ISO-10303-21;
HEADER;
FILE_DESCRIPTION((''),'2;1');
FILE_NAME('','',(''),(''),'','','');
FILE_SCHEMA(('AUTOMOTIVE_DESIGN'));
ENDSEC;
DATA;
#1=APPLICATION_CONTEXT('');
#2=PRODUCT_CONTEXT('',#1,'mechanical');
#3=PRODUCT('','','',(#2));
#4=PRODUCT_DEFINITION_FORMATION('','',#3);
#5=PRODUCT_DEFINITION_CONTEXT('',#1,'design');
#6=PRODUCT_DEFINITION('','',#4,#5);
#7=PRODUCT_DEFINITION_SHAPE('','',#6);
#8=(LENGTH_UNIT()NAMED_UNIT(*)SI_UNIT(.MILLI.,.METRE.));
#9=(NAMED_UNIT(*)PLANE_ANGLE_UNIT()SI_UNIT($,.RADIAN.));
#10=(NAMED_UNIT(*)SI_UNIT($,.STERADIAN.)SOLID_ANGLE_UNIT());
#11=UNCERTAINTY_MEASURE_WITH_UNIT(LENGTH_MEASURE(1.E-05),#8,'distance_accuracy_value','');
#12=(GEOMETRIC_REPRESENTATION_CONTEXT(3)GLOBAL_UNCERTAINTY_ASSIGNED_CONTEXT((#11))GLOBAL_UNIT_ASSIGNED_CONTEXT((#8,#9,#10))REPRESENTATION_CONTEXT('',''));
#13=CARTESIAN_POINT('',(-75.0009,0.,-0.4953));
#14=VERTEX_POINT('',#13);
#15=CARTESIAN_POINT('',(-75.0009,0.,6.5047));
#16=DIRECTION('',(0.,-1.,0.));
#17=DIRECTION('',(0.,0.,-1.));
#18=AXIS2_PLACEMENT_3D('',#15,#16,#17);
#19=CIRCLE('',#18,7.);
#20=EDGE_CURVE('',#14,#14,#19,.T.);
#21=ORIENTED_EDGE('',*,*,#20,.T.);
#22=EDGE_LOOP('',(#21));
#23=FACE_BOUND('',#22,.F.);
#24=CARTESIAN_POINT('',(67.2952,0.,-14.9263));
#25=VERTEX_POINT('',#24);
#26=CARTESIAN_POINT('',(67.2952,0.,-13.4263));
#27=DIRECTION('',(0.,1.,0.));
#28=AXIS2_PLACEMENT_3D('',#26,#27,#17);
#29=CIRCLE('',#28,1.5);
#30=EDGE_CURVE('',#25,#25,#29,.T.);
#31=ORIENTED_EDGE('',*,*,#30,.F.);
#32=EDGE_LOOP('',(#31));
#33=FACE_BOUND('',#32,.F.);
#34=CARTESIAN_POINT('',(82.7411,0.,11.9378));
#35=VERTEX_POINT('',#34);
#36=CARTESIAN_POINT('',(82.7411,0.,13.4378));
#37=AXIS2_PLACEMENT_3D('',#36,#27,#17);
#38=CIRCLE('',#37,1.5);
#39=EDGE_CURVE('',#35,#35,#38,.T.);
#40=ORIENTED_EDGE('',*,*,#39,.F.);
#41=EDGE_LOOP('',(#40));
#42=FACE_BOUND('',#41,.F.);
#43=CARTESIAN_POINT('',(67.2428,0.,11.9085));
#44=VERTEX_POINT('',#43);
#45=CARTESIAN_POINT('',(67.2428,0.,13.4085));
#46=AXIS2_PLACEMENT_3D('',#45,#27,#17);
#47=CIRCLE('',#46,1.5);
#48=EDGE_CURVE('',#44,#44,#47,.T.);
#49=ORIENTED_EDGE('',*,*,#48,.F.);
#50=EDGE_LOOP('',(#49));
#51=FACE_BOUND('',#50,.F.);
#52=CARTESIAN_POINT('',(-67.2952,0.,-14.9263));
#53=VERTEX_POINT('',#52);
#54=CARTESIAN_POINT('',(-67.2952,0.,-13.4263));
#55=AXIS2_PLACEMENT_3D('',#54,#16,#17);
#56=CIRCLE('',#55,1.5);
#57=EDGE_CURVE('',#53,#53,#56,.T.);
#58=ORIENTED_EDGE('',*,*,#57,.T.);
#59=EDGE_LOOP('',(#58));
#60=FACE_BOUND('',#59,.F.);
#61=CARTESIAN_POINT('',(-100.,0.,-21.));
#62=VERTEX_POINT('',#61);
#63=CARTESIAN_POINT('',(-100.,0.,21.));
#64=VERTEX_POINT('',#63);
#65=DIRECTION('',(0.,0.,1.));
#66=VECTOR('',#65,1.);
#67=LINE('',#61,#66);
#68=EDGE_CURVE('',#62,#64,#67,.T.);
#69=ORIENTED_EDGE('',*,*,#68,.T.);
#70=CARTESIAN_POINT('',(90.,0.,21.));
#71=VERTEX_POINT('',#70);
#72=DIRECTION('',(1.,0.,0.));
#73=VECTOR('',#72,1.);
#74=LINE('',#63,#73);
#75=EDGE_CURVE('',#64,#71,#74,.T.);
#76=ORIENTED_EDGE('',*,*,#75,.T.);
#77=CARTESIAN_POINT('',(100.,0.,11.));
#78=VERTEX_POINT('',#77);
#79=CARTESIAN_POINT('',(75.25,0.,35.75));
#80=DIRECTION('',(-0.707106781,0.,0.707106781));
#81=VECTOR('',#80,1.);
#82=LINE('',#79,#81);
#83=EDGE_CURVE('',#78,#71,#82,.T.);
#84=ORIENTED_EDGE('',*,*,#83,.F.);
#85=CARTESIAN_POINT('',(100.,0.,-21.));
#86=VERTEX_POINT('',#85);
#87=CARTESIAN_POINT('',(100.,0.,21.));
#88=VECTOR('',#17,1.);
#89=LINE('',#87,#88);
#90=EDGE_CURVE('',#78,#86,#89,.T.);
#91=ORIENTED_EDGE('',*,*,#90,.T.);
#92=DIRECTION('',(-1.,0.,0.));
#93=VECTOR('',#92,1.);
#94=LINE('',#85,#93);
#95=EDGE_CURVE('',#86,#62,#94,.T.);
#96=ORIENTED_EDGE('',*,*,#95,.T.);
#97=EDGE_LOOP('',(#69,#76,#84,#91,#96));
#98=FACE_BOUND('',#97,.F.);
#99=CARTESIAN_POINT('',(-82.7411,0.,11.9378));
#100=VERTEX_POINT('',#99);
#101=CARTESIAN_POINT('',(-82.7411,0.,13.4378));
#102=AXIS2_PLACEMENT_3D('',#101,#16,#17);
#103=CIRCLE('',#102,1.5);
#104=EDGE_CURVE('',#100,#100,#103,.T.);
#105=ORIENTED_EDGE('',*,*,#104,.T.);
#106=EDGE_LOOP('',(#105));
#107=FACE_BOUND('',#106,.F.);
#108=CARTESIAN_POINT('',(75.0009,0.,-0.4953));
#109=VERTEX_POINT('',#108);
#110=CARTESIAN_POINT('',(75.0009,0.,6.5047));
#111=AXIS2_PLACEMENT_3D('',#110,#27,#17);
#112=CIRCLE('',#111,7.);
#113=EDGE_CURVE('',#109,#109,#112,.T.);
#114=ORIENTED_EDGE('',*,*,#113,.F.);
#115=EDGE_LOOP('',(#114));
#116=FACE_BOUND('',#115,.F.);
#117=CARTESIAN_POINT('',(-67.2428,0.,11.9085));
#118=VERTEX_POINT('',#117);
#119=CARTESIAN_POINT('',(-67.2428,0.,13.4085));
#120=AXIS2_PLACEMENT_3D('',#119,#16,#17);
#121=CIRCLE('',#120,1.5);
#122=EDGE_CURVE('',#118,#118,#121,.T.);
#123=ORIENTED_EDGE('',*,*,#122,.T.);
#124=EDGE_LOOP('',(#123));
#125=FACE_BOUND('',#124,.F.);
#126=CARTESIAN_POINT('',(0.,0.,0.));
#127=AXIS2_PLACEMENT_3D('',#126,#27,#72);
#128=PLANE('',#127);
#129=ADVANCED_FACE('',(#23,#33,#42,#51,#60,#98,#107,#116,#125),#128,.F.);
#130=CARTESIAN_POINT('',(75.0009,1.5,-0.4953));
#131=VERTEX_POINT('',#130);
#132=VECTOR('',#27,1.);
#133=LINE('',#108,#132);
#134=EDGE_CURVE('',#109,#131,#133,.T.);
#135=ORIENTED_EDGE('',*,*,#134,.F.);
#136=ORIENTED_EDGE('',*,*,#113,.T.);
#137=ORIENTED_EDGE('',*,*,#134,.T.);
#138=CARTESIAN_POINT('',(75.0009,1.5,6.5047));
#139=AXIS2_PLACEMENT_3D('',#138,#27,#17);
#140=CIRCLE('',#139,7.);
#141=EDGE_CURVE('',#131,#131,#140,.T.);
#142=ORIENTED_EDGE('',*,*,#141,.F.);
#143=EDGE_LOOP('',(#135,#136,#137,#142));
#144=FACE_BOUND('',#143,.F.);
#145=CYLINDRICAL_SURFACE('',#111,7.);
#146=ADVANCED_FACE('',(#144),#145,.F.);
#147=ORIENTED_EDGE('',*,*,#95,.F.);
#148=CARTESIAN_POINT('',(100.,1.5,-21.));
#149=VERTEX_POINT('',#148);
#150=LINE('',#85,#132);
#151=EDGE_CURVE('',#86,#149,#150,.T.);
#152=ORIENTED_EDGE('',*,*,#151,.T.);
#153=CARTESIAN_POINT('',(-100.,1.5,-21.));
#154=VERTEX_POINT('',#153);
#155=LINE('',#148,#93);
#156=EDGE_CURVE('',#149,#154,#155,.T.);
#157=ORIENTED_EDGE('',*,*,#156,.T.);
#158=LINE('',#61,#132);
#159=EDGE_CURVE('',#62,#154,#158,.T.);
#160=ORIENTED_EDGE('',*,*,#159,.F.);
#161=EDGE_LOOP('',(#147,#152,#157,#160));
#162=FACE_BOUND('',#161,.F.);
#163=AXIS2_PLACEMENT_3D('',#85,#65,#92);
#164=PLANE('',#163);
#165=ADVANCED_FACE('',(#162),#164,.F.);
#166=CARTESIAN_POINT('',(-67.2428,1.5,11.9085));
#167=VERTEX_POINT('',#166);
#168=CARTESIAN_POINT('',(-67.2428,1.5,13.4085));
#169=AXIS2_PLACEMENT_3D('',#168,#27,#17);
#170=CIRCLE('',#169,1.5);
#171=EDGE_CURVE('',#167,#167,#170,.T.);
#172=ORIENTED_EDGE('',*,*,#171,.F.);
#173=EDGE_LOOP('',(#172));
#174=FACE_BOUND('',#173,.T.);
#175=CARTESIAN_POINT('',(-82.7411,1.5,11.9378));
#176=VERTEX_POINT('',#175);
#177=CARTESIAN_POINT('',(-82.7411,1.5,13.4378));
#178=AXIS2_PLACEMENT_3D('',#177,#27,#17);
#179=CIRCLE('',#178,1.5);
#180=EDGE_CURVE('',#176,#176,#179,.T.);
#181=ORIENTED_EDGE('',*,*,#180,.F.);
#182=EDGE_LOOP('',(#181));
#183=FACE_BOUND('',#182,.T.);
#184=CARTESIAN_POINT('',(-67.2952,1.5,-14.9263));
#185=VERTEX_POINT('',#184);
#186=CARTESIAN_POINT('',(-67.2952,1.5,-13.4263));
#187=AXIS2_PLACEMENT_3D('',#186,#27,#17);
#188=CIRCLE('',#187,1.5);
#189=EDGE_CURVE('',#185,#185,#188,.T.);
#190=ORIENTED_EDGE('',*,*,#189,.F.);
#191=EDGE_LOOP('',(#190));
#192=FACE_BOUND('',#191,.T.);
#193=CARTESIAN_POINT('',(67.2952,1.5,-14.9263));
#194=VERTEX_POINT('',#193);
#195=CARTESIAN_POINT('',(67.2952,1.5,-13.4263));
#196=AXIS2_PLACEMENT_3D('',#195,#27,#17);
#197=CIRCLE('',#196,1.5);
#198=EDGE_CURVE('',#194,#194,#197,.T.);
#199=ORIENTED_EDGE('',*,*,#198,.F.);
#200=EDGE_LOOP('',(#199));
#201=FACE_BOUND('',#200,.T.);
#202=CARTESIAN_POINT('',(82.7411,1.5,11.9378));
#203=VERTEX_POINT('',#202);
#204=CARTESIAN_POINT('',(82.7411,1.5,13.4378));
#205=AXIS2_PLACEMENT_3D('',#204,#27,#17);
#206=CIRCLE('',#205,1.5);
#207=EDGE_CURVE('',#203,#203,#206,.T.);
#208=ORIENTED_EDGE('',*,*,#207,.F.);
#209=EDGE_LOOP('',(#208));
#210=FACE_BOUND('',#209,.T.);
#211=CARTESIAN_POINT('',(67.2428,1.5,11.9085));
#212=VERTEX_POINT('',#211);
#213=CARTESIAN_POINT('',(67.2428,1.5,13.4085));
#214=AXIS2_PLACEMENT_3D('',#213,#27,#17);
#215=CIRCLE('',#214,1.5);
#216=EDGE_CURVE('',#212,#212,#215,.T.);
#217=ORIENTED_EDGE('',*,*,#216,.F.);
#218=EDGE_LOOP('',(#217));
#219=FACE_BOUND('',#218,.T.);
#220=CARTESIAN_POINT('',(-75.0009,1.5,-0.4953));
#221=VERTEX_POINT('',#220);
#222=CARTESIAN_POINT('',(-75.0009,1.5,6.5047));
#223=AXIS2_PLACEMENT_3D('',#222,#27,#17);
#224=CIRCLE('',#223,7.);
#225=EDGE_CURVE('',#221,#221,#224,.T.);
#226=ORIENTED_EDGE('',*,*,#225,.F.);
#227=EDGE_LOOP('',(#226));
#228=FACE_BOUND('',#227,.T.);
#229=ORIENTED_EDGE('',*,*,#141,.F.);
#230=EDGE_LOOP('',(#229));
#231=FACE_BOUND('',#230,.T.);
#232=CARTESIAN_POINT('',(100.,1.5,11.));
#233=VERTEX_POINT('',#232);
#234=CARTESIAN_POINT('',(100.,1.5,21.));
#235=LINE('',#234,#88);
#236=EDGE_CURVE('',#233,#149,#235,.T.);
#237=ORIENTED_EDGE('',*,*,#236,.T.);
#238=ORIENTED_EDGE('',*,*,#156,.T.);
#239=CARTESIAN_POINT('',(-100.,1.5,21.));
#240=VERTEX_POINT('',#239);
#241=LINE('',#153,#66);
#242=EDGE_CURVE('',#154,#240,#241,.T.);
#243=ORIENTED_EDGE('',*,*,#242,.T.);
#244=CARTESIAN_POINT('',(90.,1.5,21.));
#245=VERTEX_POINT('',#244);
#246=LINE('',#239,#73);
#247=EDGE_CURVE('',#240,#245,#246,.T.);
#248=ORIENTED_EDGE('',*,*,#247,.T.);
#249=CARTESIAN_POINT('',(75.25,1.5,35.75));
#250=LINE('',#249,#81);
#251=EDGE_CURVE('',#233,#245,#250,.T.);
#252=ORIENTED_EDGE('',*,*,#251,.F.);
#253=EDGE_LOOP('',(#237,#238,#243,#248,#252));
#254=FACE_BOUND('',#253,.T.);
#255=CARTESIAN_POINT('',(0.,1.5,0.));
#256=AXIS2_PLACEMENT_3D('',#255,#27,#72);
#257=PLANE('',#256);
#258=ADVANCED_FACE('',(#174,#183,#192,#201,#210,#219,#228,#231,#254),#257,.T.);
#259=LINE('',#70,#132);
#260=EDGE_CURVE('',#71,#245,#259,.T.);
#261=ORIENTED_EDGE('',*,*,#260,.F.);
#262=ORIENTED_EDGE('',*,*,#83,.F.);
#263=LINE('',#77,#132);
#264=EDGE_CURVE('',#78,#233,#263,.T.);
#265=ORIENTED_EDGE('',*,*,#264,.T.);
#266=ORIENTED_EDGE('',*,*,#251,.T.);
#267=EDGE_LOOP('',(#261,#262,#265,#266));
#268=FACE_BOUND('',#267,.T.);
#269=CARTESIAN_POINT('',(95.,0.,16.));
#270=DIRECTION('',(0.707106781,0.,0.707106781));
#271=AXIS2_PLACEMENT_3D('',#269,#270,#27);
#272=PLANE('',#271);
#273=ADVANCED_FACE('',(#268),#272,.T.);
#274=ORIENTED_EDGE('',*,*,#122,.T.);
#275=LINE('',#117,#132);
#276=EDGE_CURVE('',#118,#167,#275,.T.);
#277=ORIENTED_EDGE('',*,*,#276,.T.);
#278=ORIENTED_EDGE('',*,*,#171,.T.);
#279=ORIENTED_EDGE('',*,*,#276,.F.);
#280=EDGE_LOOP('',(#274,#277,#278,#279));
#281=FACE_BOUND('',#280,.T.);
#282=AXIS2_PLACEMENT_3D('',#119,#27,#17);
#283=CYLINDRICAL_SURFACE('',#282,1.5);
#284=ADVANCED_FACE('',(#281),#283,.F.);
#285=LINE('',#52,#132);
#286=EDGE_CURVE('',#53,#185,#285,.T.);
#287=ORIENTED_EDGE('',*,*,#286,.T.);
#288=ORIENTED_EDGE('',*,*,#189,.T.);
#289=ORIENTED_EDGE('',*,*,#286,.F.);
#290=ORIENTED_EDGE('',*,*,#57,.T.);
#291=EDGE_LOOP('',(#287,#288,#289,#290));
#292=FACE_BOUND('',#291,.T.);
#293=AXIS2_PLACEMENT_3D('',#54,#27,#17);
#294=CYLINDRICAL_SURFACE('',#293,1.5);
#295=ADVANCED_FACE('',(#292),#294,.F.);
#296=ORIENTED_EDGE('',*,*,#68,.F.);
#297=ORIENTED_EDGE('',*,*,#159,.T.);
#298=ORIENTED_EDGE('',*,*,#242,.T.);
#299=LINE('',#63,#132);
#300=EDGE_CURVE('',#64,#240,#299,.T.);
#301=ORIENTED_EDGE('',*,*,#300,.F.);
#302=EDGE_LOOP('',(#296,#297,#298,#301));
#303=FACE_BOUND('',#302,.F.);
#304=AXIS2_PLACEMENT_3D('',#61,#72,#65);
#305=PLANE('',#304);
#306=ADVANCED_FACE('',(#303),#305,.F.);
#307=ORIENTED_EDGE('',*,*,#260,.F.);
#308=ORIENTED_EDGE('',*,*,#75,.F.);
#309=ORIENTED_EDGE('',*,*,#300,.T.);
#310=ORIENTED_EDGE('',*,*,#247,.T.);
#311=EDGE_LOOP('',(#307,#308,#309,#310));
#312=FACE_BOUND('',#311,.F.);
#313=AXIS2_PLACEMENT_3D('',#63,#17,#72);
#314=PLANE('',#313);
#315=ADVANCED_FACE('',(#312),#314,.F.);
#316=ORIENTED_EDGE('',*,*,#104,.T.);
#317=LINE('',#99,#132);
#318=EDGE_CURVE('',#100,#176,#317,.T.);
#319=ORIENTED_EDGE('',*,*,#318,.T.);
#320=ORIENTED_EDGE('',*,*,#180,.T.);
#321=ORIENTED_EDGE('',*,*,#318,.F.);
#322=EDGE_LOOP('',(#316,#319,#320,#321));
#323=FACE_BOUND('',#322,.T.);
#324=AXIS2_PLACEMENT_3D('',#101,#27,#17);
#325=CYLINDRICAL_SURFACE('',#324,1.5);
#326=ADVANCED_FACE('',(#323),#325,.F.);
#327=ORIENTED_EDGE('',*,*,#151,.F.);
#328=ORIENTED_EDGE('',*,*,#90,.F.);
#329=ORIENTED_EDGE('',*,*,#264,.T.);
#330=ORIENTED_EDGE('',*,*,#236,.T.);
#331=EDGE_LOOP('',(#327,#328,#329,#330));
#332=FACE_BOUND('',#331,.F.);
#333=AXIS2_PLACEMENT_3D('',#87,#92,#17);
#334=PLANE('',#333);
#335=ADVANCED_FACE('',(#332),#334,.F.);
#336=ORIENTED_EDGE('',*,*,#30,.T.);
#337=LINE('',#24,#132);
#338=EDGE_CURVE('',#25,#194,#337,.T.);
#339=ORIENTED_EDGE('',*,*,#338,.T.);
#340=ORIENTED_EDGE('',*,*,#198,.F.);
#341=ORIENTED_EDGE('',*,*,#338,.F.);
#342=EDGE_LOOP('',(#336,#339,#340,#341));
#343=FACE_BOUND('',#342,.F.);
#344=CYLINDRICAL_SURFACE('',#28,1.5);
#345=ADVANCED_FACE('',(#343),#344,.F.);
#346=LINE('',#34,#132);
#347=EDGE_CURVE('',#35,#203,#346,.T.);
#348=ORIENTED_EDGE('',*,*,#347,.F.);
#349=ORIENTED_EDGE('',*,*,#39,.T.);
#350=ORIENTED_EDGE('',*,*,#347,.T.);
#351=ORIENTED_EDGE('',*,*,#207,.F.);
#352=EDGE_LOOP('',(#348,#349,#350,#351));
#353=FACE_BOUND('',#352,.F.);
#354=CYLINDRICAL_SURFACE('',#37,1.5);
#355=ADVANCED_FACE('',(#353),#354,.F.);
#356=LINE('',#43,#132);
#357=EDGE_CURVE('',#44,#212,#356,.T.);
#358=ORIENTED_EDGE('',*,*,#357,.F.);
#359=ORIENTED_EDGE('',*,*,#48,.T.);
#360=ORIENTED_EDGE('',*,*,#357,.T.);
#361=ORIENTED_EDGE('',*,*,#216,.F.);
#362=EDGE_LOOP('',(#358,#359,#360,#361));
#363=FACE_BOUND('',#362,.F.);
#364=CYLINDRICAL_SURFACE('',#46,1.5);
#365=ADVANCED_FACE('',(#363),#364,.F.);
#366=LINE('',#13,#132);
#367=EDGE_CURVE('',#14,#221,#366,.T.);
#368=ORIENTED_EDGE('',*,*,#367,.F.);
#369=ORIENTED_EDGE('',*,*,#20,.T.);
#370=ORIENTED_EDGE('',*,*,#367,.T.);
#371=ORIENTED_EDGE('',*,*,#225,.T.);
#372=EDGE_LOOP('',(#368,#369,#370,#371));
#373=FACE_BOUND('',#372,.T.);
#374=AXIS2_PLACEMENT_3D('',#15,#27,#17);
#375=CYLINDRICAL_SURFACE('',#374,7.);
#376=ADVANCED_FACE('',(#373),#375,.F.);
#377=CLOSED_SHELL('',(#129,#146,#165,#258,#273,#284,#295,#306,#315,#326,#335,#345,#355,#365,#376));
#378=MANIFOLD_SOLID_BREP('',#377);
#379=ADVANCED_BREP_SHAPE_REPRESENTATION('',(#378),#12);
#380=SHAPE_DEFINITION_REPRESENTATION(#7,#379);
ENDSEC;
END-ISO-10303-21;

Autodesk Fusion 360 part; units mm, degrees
sketch "Sketch15" plane through (0, 0, 0) normal (0, 1, 0) x (1, 0, 0)
  line L0 (100, 21) -> (-100, 21)
  line L1 (-100, 21) -> (-100, -21)
  line L2 (-100, -21) -> (100, -21)
  line L3 (100, -21) -> (100, 21)
  line L4 (100, 21) -> (-100, -21) construction
  line L5 (-100, 21) -> (100, -21) construction
  dimension "d41" = 200
  dimension "d42" = 42
extrude "Extrude7" add sketch "Sketch15" along normal blind 1.5
hole "Hole5" at (67.2428, 0, 13.4085) direction (0, 1, 0) diameter 3 depth 7 tip angle 118
hole "Hole6" at (75.0009, 0, 6.5047) direction (0, 1, 0) diameter 14 depth 15 tip angle 118
hole "Hole7" at (82.7411, 0, 13.4378) direction (0, 1, 0) diameter 3 depth 5 tip angle 118
hole "Hole8" at (67.2952, 0, -13.4263) direction (0, 1, 0) diameter 3 depth 6 tip angle 118
sketch "Sketch16" plane through (0, 0, 0) normal (1, 0, 0) x (0, 1, 0)
  line L0 (-56.4532, 39.0008) -> (75, 39.0008)
  line L1 (75, 39.0008) -> (75, -35)
  line L2 (75, -35) -> (-56.4532, -35)
  line L3 (-56.4532, -35) -> (-56.4532, 39.0008)
ref_plane "WorkPlane2" through (0, 9.2734, 2.0004) normal (1, 0, 0) x (0, 1, 0)
mirror "Mirror1" about plane through (0, 9.2734, 2.0004) normal (1, 0, 0) of "Hole5", "Hole7", "Hole8", "Hole6"
chamfer "Chamfer1" distance 10 angle 45 1 edges at (100, 0.75, 21)
